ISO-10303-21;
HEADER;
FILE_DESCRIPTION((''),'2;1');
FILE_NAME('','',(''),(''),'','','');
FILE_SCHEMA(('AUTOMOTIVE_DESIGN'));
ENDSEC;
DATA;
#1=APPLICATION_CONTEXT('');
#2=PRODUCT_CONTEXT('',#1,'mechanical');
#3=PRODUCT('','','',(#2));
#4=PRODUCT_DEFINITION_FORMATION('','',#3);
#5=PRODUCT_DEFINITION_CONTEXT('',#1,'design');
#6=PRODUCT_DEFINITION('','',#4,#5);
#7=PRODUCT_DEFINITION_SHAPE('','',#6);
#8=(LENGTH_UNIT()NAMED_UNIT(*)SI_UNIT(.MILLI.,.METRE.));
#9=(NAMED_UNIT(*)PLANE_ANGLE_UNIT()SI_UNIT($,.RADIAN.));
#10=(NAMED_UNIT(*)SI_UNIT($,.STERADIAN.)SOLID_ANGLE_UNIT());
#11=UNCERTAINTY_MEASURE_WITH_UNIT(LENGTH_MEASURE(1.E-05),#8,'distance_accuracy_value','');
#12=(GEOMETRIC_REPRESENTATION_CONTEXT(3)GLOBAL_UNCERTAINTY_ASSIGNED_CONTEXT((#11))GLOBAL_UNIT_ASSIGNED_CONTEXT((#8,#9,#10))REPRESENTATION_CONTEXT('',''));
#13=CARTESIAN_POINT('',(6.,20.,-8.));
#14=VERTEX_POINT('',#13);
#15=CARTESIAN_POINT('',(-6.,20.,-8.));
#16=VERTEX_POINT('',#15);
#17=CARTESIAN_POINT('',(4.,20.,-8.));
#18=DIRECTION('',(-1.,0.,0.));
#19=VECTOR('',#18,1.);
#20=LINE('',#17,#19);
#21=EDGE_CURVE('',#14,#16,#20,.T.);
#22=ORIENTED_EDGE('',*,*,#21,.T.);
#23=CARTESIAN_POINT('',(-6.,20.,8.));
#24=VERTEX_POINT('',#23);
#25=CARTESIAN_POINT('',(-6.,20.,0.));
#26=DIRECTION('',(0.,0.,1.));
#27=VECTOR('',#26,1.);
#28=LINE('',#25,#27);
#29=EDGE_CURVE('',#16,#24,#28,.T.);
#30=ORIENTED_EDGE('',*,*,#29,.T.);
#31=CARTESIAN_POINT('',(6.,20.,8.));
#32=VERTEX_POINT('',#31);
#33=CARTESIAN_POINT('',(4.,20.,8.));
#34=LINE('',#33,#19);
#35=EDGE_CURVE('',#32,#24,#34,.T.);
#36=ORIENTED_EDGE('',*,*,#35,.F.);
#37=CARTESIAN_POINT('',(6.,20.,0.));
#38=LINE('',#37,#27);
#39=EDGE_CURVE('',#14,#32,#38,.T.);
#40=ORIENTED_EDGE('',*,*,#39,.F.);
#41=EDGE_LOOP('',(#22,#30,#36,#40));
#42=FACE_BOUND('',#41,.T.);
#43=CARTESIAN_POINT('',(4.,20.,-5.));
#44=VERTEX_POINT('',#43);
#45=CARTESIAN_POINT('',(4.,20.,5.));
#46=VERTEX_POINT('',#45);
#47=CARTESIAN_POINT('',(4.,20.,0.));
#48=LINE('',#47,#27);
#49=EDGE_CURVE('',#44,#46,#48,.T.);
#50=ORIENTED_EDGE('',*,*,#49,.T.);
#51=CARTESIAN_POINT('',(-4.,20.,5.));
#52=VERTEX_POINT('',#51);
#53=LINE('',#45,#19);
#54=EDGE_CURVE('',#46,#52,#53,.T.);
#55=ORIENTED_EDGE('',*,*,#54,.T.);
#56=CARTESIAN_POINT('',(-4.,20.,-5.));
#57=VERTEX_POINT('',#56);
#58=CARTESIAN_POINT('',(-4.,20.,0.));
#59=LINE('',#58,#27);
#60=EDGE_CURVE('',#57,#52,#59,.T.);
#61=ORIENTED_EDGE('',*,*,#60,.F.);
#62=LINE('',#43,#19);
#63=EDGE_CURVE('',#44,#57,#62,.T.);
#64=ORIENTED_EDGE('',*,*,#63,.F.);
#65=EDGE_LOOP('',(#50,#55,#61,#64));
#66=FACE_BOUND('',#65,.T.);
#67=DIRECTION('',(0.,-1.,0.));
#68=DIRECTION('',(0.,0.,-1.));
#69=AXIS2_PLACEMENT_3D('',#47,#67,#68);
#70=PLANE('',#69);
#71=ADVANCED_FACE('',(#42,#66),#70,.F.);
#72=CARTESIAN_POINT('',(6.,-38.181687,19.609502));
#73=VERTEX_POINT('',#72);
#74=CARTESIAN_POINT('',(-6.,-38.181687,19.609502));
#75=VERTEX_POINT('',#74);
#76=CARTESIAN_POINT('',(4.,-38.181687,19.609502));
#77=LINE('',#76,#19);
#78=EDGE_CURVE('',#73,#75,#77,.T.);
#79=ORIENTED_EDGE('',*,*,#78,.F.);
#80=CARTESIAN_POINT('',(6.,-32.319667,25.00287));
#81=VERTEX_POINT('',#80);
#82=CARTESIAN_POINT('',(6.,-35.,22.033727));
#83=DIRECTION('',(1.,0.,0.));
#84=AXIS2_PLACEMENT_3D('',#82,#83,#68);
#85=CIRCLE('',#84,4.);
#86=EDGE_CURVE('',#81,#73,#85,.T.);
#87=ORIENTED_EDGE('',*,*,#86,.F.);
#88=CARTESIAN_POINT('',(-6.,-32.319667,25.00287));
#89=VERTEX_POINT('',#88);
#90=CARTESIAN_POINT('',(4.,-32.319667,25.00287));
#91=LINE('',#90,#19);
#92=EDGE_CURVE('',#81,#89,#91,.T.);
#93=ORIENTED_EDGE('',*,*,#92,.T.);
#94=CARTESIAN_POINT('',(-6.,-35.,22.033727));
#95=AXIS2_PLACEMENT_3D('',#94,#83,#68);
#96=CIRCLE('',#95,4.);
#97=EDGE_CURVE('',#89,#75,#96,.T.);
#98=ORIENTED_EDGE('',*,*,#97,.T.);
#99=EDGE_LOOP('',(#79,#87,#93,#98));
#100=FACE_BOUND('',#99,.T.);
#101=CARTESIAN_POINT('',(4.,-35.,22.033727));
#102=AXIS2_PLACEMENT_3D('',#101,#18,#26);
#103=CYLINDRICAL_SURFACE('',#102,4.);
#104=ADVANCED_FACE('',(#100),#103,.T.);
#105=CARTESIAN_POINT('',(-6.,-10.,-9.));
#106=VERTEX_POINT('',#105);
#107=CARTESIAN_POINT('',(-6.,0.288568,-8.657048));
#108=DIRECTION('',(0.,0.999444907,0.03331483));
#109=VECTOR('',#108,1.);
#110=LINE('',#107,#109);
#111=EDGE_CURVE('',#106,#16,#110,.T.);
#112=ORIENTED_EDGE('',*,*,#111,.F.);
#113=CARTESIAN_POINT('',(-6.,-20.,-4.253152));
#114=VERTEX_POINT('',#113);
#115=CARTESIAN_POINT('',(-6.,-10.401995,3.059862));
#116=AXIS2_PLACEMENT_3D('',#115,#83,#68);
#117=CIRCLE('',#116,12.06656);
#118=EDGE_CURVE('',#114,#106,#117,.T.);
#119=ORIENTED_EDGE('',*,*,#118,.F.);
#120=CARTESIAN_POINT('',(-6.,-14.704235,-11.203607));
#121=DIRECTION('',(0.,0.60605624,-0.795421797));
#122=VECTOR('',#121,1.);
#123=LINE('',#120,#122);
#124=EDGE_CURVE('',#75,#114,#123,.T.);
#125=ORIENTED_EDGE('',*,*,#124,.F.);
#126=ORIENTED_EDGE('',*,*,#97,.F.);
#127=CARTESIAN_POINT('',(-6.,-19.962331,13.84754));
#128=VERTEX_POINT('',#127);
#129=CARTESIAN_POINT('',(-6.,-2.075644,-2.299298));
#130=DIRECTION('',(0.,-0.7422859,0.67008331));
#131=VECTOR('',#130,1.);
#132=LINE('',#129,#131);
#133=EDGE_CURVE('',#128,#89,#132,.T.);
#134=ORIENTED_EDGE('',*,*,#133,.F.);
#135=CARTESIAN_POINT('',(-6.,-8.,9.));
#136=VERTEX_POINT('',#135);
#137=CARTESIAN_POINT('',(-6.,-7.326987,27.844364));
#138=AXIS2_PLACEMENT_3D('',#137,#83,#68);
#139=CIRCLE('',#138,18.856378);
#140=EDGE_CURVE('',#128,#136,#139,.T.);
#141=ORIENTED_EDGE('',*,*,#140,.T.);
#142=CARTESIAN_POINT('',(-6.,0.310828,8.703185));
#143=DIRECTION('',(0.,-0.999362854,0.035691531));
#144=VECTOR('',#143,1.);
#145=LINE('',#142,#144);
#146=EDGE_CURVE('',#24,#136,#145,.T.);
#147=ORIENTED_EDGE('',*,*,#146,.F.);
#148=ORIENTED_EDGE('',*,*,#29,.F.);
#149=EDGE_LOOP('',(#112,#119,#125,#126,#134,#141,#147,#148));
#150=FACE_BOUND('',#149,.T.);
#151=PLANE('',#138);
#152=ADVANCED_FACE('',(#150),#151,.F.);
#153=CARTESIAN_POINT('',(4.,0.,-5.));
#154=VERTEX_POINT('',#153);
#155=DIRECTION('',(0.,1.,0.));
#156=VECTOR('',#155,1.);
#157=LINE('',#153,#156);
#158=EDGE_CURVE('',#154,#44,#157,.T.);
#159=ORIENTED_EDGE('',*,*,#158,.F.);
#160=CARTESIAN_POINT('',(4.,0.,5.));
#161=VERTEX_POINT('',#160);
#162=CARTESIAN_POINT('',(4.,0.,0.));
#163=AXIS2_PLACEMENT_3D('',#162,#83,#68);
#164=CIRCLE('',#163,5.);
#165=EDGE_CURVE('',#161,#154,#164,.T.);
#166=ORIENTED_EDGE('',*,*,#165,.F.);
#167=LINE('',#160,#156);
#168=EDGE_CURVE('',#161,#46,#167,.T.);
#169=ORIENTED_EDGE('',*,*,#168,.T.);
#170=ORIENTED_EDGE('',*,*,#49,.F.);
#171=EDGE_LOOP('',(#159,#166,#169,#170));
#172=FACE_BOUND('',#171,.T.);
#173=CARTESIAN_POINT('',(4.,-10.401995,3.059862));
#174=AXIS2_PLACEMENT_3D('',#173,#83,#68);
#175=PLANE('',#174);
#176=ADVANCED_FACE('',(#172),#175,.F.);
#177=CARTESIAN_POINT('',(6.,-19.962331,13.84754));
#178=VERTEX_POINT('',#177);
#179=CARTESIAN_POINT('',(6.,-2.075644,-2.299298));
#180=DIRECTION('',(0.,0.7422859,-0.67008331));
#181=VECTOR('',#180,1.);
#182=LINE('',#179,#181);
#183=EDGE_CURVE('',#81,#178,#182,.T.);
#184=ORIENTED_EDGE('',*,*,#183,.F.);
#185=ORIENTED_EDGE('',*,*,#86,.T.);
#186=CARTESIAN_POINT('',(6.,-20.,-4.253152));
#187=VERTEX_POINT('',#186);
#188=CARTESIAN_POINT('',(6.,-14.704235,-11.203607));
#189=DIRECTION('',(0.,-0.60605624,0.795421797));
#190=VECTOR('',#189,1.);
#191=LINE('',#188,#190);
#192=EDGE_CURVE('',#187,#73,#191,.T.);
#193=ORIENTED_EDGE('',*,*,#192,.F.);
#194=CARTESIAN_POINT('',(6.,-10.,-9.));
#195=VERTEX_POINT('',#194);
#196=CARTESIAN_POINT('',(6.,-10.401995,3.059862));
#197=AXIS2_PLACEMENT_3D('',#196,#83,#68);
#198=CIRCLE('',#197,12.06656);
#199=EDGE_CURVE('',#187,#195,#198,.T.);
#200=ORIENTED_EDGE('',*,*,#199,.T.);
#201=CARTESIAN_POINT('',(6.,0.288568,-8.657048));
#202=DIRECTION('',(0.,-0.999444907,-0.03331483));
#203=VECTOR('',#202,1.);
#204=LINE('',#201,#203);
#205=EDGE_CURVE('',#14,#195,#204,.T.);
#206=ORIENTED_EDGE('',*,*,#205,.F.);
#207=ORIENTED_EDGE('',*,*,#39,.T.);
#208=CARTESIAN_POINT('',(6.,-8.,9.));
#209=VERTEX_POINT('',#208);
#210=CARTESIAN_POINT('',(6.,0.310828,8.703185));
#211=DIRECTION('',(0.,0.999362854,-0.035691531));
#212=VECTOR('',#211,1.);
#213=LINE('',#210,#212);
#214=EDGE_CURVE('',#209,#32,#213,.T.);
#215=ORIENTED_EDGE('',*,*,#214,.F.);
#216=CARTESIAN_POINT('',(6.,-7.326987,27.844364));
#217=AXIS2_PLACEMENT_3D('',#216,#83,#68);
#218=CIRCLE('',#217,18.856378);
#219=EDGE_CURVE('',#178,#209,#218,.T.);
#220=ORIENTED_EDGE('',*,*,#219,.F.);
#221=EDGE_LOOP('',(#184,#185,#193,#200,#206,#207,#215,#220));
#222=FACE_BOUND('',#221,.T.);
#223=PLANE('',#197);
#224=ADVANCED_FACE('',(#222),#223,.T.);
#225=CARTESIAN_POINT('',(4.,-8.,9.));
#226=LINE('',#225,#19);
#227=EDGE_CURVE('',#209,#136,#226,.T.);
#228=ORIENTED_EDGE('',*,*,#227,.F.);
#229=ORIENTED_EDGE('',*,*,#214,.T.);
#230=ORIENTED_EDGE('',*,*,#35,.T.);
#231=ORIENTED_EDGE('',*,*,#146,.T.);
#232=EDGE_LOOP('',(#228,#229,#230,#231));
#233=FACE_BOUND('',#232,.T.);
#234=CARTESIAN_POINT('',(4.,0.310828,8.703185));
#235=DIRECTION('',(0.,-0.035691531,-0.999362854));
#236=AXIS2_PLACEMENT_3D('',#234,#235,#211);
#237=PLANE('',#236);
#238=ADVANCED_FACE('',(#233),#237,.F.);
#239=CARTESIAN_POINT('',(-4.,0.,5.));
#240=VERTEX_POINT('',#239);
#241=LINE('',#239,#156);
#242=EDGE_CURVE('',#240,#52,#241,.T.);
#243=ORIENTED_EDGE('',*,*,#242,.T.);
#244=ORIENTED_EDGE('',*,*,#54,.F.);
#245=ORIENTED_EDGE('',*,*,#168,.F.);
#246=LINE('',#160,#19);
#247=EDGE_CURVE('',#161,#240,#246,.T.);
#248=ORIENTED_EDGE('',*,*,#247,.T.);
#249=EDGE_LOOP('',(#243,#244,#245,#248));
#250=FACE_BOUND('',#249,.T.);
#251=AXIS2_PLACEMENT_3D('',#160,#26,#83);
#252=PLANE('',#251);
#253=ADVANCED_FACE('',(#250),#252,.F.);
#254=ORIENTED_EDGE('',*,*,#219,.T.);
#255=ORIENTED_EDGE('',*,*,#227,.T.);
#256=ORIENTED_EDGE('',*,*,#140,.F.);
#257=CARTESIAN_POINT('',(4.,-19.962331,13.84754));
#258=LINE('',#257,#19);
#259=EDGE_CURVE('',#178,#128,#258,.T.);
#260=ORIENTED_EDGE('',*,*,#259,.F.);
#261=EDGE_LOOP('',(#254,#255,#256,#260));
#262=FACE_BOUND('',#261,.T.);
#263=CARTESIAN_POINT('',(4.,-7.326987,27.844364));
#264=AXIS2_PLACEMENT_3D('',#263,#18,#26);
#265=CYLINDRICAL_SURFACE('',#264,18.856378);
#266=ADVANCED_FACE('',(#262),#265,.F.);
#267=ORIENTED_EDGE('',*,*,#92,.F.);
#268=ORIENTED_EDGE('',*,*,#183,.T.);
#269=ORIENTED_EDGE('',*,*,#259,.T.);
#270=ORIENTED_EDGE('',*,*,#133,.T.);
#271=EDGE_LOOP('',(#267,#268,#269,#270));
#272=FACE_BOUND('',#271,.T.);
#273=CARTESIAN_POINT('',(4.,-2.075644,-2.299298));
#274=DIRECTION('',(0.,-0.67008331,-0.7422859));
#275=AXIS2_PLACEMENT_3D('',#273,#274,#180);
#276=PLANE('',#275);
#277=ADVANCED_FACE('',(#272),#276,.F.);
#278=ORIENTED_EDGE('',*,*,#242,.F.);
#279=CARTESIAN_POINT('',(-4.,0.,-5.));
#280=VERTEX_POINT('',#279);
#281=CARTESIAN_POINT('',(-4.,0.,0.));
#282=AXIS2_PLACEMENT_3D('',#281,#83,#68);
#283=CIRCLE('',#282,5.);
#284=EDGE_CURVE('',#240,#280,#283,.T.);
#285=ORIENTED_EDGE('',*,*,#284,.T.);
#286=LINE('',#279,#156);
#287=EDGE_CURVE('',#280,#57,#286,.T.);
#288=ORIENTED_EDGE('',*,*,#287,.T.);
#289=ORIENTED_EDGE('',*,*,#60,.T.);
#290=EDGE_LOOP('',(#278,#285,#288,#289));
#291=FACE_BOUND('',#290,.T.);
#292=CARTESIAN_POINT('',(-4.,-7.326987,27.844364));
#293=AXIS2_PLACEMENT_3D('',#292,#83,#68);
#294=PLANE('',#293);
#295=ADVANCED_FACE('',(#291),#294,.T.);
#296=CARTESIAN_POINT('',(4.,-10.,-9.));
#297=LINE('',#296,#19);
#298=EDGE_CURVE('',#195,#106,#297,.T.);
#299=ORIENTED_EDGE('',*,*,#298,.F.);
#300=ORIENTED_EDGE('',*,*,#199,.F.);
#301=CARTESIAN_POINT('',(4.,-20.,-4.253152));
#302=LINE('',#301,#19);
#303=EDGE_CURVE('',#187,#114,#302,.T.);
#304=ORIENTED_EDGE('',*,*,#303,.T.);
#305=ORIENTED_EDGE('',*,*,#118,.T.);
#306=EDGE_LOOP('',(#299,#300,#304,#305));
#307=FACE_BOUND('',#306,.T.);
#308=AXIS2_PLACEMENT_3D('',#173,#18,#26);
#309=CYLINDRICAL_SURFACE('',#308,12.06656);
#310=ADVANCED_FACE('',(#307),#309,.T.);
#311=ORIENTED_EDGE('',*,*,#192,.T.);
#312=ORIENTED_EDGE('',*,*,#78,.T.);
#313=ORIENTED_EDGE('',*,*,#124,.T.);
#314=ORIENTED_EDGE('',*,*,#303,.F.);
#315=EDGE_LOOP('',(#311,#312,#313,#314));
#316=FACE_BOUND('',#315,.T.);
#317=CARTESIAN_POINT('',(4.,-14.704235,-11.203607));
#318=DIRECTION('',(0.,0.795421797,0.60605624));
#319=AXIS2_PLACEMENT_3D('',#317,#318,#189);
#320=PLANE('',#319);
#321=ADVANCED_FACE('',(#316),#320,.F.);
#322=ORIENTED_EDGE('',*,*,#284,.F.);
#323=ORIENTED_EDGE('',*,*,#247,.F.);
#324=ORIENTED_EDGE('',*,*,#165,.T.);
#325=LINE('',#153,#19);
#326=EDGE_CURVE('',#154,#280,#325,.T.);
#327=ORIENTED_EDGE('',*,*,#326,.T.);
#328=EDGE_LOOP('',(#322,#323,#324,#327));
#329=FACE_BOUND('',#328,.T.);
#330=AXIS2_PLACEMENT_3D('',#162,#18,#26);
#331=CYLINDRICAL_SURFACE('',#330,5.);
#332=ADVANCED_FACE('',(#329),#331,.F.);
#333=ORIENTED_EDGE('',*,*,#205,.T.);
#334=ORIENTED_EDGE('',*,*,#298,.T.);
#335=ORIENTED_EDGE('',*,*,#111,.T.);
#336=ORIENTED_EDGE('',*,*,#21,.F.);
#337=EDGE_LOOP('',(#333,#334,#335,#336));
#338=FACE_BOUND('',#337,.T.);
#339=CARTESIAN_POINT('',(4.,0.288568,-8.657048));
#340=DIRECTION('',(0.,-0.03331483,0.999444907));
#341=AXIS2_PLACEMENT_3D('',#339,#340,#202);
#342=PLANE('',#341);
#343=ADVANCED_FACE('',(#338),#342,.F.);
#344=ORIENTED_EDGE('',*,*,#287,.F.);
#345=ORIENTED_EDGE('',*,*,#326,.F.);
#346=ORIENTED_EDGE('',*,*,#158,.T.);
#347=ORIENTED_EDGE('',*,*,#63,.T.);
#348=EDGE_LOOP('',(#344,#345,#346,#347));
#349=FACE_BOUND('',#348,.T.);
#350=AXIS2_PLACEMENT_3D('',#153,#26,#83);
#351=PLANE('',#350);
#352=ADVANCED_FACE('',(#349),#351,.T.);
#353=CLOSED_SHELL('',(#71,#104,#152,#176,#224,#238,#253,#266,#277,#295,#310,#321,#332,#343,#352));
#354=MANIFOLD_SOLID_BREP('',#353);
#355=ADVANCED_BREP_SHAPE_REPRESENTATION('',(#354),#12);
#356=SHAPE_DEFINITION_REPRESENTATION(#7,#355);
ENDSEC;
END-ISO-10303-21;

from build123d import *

# Parameters (mm, degrees)
BOSS_EXTRUDE1_DEPTH = 4
BOSS_EXTRUDE2_START = 6
BOSS_EXTRUDE2_DEPTH = 2
BOSS_EXTRUDE3_START = -4
BOSS_EXTRUDE3_DEPTH = 2


with BuildPart() as part:
    # Sketch1 → Boss-Extrude1 (new, symmetric)
    with BuildSketch(Plane(origin=(0, 0, 0), x_dir=(0, 0, -1), z_dir=(1, 0, 0))):
        with BuildLine():
            Line((-5, 0), (-5, 20))
            Line((-5, 20), (-8, 20))
            Line((-8, 20), (-9, -8))
            ThreePointArc((-9, -8), (-10.368373469, -14.408848081), (-13.847540332, -19.962331457))
            Line((-13.847540332, -19.962331457), (-25.002870304, -32.319666758))
            ThreePointArc((-25.002870304, -32.319666758), (-24.977373246, -37.708310367), (-19.609501747, -38.181687186))
            Line((-19.609501747, -38.181687186), (4.253152151, -20))
            ThreePointArc((4.253152151, -20), (7.840921615, -15.576431351), (9, -10))
            Line((9, -10), (8, 20))
            Line((8, 20), (5, 20))
            Line((5, 20), (5, 0))
            ThreePointArc((5, 0), (0, -5), (-5, 0))
        make_face()
    extrude(amount=BOSS_EXTRUDE1_DEPTH, both=True)

    # Sketch1<3> → Boss-Extrude2 (add)
    with BuildSketch(Plane(origin=(0, 0, 0), x_dir=(0, 0, -1), z_dir=(1, 0, 0)).offset(BOSS_EXTRUDE2_START)):
        with BuildLine():
            Line((5, 20), (-5, 20))
            Line((-5, 20), (-5, 0))
            ThreePointArc((-5, 0), (0, 5), (5, 0))
            Line((5, 0), (5, 20))
        make_face()
        with BuildLine():
            Line((-5, 0), (-5, 20))
            Line((-5, 20), (-8, 20))
            Line((-8, 20), (-9, -8))
            ThreePointArc((-9, -8), (-10.368373469, -14.408848081), (-13.847540332, -19.962331457))
            Line((-13.847540332, -19.962331457), (-25.002870304, -32.319666758))
            ThreePointArc((-25.002870304, -32.319666758), (-24.977373246, -37.708310367), (-19.609501747, -38.181687186))
            Line((-19.609501747, -38.181687186), (4.253152151, -20))
            ThreePointArc((4.253152151, -20), (7.840921615, -15.576431351), (9, -10))
            Line((9, -10), (8, 20))
            Line((8, 20), (5, 20))
            Line((5, 20), (5, 0))
            ThreePointArc((5, 0), (0, -5), (-5, 0))
        make_face()
        with BuildLine():
            ThreePointArc((5, 0), (0, 5), (-5, 0))
            Line((-5, 0), (5, 0))
        make_face()
        with BuildLine():
            Line((5, 0), (-5, 0))
            ThreePointArc((-5, 0), (0, -5), (5, 0))
        make_face()
    extrude(amount=-BOSS_EXTRUDE2_DEPTH)

    # Sketch1<4> → Boss-Extrude3 (add)
    with BuildSketch(Plane(origin=(0, 0, 0), x_dir=(0, 0, -1), z_dir=(1, 0, 0)).offset(BOSS_EXTRUDE3_START)):
        with BuildLine():
            ThreePointArc((5, 0), (0, 5), (-5, 0))
            Line((-5, 0), (5, 0))
        make_face()
        with BuildLine():
            Line((5, 0), (-5, 0))
            ThreePointArc((-5, 0), (0, -5), (5, 0))
        make_face()
        with BuildLine():
            Line((5, 20), (-5, 20))
            Line((-5, 20), (-5, 0))
            ThreePointArc((-5, 0), (0, 5), (5, 0))
            Line((5, 0), (5, 20))
        make_face()
        with BuildLine():
            Line((-5, 0), (-5, 20))
            Line((-5, 20), (-8, 20))
            Line((-8, 20), (-9, -8))
            ThreePointArc((-9, -8), (-10.368373469, -14.408848081), (-13.847540332, -19.962331457))
            Line((-13.847540332, -19.962331457), (-25.002870304, -32.319666758))
            ThreePointArc((-25.002870304, -32.319666758), (-24.977373246, -37.708310367), (-19.609501747, -38.181687186))
            Line((-19.609501747, -38.181687186), (4.253152151, -20))
            ThreePointArc((4.253152151, -20), (7.840921615, -15.576431351), (9, -10))
            Line((9, -10), (8, 20))
            Line((8, 20), (5, 20))
            Line((5, 20), (5, 0))
            ThreePointArc((5, 0), (0, -5), (-5, 0))
        make_face()
    extrude(amount=-BOSS_EXTRUDE3_DEPTH)


solid = part.part
